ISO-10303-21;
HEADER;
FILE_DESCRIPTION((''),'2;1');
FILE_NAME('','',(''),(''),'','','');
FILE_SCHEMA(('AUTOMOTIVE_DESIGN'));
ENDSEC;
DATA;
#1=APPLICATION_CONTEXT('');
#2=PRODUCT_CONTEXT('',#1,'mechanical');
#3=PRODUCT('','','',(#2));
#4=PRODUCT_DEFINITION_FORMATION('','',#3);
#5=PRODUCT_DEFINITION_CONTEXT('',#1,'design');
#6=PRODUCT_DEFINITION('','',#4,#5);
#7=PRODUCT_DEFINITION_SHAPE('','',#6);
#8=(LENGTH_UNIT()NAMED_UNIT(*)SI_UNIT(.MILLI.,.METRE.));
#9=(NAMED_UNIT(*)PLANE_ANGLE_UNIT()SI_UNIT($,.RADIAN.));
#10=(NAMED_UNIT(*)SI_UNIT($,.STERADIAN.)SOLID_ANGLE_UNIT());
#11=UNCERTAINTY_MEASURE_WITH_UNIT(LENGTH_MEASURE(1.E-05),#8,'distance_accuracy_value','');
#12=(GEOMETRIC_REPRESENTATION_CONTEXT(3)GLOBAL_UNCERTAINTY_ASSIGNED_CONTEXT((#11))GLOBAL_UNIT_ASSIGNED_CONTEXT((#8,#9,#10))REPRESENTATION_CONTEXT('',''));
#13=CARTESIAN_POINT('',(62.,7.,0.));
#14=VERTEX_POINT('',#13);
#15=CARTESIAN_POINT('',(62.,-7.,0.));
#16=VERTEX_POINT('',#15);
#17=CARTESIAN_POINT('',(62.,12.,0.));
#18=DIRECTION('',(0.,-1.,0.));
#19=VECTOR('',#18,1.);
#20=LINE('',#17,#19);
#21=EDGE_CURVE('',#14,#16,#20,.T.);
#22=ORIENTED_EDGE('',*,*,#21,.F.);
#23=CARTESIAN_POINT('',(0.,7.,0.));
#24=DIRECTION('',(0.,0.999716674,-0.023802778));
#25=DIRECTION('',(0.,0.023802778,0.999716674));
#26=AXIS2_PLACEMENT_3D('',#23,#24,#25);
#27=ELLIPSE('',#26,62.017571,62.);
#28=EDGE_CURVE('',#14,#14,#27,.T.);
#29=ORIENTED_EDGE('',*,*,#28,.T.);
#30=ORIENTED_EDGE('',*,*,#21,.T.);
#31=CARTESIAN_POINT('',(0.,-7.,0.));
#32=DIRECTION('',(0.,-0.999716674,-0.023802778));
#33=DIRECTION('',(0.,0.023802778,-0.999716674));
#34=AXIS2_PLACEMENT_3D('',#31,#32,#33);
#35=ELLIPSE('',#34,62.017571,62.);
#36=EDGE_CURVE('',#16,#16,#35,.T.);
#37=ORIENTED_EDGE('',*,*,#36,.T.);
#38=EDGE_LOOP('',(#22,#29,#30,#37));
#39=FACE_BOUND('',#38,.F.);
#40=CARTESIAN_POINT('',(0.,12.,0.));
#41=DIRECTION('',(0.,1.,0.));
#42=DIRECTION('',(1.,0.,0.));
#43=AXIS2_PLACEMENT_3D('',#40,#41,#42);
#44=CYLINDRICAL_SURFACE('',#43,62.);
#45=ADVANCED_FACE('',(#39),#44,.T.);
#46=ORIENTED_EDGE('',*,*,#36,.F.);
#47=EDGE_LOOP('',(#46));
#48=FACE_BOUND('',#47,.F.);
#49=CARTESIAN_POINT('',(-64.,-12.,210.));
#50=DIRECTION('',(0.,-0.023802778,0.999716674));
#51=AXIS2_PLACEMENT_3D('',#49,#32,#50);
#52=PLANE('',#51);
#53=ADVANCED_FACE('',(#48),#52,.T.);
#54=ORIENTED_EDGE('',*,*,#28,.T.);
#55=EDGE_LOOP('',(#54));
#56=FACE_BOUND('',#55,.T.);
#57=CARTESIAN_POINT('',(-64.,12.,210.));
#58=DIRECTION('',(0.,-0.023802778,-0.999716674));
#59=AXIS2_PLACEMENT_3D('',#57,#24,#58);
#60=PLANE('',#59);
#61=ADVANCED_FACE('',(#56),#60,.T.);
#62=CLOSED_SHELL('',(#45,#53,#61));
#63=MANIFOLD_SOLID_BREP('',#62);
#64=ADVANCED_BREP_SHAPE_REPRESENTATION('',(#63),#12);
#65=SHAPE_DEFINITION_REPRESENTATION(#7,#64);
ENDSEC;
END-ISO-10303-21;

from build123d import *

# Parameters (mm, degrees)
CYLINDER001_R     = 62
CYLINDER001_DEPTH = 24
PAD004_DEPTH      = 128


with BuildPart() as cylinder001:
    # Cylinder001 → Cylinder001 (new body)
    with BuildSketch(Plane.XZ.offset(-12)):
        Circle(CYLINDER001_R)
    extrude(amount=CYLINDER001_DEPTH)


with BuildPart() as body004:
    # Sketch004 → Pad004 (new body)
    with BuildSketch(Plane.YZ):
        Polygon((0, 0), (12, 0), (5, -294), (0, -294), align=None)
    extrude(amount=PAD004_DEPTH)


with BuildPart() as body004_1:
    # Body004 placement: moved
    add(body004.part.moved(Location((0, 0, 210))))


with BuildPart() as gate_ba:
    # Part__Mirroring007: instance of Body004
    add(body004_1.part.mirror(Plane(origin=(0, 0, 0), x_dir=(1, 0, 0), z_dir=(0, 1, 0))))

    # Fusion015: union Body004
    add(body004_1.part)


with BuildPart() as gate_ba_1:
    # Fusion015 placement: moved
    add(gate_ba.part.moved(Location((-64, 0, 0))))

    # Common001: intersect Cylinder001
    add(cylinder001.part, mode=Mode.INTERSECT)


solid = gate_ba_1.part
